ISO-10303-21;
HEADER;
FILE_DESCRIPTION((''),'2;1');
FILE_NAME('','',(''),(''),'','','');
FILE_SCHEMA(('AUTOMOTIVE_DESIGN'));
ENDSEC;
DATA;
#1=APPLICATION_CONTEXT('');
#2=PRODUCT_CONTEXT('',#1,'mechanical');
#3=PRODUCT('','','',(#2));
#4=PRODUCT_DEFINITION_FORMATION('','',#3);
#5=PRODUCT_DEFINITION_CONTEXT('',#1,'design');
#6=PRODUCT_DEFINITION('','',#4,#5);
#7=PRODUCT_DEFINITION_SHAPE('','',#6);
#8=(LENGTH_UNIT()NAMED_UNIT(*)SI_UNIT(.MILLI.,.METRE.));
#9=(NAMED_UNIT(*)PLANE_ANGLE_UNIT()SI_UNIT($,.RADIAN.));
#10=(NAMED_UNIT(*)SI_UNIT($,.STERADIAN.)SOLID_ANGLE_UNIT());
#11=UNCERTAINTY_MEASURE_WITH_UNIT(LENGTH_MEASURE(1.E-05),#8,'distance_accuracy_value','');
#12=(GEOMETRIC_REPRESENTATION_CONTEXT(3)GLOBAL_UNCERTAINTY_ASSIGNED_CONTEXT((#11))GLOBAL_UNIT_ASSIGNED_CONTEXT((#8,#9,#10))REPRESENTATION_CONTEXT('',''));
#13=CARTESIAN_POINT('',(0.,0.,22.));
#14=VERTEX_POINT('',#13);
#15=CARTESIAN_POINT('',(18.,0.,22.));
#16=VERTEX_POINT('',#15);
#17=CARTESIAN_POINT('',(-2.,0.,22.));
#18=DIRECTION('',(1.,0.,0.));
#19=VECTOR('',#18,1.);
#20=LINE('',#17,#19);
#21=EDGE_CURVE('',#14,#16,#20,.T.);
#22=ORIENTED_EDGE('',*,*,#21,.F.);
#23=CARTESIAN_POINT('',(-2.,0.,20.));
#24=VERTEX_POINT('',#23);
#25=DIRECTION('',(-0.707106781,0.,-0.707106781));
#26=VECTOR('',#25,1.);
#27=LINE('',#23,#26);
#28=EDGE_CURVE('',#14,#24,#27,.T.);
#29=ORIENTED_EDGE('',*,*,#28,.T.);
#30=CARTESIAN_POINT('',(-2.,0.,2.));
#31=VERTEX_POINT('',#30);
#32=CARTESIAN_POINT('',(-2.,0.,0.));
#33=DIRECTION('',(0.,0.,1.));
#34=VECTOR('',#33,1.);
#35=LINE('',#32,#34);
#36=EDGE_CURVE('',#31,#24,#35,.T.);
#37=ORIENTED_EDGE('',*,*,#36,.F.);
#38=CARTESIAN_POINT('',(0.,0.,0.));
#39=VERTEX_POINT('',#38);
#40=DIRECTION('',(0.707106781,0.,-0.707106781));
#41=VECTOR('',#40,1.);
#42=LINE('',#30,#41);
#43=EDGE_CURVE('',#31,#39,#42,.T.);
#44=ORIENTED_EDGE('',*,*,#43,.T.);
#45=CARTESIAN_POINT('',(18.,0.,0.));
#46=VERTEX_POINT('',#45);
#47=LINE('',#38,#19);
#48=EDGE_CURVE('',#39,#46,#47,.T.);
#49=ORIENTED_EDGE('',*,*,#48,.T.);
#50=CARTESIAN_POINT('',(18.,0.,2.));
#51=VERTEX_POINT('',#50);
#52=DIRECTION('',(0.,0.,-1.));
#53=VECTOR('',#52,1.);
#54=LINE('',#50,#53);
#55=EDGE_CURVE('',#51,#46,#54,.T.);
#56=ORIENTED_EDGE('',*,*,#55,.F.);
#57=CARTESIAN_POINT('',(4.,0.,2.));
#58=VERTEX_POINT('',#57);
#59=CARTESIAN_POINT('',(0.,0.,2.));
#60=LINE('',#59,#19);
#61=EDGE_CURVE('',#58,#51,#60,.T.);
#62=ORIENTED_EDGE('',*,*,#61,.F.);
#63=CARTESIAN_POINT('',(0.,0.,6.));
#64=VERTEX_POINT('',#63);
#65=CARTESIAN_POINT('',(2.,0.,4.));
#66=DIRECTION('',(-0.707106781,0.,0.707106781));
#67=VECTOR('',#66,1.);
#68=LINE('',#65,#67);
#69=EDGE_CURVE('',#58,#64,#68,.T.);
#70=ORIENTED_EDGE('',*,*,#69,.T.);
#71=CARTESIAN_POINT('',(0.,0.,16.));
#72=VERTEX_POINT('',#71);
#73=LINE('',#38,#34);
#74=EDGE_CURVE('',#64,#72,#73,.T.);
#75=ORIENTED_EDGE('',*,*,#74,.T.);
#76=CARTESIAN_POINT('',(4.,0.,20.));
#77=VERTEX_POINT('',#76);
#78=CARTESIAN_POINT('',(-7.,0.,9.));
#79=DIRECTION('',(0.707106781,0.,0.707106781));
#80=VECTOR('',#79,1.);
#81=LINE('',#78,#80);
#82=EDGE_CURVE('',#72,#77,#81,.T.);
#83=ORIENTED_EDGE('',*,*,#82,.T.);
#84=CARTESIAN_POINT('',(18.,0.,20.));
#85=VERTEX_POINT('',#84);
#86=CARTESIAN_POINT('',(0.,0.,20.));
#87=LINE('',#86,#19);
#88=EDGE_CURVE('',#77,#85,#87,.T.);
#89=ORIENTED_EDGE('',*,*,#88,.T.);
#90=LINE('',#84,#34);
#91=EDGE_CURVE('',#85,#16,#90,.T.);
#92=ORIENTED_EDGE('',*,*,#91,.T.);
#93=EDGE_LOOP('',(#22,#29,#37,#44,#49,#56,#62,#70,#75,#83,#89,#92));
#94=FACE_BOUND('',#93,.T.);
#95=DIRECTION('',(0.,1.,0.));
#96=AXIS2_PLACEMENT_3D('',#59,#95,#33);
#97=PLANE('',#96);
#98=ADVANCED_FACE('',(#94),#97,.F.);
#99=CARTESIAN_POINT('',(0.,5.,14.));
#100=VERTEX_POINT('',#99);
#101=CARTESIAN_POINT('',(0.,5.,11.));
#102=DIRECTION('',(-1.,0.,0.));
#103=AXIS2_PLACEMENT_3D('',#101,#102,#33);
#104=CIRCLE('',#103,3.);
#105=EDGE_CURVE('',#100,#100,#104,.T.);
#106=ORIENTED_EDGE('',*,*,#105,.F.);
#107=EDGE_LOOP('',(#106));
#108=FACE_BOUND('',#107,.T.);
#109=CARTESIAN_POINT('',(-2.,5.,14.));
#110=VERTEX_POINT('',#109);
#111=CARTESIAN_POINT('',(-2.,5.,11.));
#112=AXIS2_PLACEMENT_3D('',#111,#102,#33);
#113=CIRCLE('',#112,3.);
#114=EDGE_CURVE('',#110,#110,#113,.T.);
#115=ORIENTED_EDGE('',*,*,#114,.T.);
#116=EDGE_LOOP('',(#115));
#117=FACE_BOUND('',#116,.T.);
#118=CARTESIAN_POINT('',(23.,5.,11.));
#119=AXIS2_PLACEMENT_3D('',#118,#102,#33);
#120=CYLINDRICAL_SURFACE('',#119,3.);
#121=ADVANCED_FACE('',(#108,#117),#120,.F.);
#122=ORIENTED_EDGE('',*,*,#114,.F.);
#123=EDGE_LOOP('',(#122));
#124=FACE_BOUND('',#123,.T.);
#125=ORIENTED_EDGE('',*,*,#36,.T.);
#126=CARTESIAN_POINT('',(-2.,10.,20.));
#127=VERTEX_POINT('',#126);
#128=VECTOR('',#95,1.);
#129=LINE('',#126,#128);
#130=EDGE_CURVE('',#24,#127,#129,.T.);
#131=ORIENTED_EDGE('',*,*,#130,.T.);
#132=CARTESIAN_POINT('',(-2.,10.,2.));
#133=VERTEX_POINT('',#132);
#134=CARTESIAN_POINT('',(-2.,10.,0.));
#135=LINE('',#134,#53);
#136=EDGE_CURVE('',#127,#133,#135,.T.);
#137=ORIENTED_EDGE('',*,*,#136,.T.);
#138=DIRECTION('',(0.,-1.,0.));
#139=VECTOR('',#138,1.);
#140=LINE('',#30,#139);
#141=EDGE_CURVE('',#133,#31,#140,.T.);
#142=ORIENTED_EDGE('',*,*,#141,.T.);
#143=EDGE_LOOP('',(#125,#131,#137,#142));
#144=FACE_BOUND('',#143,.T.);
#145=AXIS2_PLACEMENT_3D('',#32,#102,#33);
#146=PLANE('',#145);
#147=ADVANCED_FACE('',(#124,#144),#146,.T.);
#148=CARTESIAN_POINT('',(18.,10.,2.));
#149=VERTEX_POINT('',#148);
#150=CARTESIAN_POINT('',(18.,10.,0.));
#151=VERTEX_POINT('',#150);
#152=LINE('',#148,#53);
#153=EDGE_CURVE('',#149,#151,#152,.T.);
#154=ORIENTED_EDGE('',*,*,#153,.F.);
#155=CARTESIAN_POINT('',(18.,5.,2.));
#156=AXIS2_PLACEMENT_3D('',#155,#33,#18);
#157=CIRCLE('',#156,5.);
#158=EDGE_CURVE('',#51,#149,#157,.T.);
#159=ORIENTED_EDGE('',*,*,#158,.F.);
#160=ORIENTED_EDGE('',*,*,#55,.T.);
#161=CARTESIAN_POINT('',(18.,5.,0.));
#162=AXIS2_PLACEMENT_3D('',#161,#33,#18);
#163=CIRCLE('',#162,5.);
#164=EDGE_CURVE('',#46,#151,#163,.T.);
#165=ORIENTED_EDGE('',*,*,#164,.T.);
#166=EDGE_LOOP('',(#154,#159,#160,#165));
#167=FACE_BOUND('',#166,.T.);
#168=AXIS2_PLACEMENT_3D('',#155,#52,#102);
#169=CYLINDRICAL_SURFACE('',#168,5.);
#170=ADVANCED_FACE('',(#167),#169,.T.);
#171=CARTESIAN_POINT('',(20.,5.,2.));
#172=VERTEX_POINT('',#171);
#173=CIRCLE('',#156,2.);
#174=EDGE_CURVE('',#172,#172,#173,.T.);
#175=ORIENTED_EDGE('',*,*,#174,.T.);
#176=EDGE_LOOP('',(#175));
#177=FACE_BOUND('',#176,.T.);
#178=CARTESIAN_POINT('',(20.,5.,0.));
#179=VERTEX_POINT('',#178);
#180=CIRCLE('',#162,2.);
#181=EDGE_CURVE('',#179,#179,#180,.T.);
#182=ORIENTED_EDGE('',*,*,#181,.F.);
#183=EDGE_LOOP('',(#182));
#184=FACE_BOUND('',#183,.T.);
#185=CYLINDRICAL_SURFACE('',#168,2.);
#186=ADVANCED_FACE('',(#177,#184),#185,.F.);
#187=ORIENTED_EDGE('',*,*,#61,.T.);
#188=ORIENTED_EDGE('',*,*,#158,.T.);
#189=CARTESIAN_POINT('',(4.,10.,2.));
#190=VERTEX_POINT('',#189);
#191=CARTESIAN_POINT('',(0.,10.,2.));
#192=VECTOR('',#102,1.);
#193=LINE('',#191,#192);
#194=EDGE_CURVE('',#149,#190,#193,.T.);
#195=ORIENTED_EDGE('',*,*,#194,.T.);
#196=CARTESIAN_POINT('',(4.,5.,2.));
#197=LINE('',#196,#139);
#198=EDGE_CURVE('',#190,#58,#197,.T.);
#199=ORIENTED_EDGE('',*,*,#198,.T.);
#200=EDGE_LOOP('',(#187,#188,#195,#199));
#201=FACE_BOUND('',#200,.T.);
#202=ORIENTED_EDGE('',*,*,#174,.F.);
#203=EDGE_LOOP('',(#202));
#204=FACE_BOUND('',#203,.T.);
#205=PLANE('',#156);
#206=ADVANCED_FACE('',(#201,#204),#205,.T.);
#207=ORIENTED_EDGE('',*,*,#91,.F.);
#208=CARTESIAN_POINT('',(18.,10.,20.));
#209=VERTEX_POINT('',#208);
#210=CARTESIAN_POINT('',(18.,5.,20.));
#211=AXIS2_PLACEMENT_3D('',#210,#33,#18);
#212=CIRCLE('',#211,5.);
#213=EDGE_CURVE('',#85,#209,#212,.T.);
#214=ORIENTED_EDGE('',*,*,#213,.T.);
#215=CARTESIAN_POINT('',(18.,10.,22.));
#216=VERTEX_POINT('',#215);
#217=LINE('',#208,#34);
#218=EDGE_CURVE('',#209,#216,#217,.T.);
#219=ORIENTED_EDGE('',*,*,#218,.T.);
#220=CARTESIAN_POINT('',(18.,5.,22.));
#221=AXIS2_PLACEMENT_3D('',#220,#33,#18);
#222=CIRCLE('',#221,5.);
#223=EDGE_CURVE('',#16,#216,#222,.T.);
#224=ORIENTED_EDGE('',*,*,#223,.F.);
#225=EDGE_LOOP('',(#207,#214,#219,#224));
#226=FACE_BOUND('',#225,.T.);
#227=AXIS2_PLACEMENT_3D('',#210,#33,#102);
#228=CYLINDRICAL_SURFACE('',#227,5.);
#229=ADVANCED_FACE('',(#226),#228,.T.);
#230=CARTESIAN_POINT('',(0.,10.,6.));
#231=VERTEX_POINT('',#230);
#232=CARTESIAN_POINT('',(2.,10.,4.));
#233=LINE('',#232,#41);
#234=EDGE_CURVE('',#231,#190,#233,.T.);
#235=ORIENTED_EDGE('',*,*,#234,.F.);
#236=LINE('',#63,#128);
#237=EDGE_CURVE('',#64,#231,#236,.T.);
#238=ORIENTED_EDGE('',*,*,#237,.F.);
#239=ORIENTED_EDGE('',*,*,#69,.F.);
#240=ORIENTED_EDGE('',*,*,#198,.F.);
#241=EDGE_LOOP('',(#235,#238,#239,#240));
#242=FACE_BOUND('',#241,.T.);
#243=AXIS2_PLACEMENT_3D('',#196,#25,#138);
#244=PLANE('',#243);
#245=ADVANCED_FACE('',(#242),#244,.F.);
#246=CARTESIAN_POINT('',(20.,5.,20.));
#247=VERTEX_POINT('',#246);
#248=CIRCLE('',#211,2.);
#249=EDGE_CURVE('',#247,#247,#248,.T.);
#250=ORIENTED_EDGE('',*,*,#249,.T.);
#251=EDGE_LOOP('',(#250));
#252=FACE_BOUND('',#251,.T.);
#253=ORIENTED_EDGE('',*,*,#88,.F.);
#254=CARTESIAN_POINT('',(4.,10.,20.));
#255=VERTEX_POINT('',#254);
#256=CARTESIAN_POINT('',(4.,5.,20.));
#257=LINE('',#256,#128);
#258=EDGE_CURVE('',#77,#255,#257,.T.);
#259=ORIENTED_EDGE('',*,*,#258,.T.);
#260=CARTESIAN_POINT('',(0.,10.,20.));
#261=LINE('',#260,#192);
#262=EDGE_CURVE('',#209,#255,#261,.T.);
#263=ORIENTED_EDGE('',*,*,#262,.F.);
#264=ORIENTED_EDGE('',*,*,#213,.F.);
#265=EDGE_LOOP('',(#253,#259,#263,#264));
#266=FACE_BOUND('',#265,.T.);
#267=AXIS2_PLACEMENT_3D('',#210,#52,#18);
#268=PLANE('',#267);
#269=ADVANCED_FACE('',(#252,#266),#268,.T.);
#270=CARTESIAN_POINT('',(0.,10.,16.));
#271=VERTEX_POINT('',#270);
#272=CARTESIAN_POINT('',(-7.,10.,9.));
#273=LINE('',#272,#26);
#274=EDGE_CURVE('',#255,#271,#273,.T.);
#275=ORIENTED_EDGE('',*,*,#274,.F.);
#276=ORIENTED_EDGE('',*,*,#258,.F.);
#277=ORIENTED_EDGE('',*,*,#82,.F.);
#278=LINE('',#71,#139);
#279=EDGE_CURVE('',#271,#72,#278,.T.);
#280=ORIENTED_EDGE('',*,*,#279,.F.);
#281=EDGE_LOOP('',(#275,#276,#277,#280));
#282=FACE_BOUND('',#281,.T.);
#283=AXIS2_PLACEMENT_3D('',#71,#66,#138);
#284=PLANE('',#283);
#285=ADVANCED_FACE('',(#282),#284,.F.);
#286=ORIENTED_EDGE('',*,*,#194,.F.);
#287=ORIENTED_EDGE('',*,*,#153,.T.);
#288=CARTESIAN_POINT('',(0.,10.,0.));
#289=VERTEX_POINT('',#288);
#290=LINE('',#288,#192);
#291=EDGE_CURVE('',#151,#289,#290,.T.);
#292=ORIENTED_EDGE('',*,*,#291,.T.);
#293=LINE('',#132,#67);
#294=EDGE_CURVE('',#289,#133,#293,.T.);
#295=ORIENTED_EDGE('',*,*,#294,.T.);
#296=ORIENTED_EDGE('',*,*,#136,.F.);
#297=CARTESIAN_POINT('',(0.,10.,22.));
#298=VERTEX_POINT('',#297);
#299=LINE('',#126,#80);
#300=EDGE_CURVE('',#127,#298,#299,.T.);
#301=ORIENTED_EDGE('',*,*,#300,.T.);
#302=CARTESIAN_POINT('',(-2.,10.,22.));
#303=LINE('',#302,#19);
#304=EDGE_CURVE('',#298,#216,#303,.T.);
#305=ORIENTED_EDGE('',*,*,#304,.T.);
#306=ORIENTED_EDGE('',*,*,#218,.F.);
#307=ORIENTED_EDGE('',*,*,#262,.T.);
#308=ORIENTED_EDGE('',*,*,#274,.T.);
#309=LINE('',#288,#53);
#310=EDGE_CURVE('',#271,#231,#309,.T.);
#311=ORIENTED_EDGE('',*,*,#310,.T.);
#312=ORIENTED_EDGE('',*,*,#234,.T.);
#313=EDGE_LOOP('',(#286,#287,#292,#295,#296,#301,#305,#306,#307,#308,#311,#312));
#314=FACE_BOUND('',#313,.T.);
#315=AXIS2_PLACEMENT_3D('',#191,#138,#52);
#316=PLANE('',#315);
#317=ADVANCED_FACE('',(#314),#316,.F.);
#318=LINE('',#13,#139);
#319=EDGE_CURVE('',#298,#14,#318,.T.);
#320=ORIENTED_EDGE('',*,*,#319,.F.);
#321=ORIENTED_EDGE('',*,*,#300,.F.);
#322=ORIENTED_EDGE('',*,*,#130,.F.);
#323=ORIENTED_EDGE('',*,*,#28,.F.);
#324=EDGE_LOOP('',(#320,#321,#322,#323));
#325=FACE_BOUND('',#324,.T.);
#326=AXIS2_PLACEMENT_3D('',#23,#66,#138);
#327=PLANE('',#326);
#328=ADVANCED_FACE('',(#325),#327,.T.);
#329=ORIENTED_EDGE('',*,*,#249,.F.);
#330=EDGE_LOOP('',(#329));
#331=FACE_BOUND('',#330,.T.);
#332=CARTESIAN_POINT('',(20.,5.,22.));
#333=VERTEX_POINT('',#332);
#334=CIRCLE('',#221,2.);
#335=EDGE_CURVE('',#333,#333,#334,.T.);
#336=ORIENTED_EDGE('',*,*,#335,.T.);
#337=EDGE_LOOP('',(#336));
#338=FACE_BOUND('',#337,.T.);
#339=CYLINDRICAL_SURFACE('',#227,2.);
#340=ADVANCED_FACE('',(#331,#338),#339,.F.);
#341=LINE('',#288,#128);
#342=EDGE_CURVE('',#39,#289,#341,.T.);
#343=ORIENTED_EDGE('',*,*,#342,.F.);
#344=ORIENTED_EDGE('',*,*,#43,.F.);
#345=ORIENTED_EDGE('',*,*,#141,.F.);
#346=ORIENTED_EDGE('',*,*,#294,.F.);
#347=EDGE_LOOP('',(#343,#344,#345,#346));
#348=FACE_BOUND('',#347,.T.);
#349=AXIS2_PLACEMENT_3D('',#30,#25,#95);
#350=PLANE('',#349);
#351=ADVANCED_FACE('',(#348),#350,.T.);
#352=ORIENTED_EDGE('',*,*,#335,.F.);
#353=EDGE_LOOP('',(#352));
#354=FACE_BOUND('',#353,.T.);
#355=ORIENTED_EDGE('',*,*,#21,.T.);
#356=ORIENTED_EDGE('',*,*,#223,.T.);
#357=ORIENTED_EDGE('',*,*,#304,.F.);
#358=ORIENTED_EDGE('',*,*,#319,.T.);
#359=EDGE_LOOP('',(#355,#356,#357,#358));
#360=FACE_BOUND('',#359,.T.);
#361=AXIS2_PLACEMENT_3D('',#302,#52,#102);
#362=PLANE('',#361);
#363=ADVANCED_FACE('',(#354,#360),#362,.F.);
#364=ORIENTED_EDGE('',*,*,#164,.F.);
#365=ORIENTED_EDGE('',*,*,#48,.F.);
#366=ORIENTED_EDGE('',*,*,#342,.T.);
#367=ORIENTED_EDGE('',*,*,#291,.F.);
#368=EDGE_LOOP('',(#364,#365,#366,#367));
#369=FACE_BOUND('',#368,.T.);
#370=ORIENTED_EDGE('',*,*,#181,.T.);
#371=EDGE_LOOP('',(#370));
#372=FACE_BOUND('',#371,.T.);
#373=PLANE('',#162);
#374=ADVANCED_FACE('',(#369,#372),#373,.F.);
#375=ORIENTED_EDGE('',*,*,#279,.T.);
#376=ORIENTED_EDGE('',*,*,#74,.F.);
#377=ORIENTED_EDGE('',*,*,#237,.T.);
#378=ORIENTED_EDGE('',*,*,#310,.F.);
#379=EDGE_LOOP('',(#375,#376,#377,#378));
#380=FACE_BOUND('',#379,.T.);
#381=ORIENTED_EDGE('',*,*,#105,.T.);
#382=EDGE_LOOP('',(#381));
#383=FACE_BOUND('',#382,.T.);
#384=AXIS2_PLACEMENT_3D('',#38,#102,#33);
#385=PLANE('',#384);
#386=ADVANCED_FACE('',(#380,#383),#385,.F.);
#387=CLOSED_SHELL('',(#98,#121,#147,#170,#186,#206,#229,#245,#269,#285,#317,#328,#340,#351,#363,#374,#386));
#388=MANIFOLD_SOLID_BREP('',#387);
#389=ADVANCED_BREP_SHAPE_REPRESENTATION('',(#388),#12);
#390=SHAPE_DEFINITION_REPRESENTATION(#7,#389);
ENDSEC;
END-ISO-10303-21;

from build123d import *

# Parameters (mm, degrees)
SKETCH_1_R          = 2
EXTRUDE_1_DEPTH     = 2
SKETCH_6_W          = 22
SKETCH_6_H          = 10
EXTRUDE_5_DEPTH     = 2
CHAMFER_2_SIZE      = 2
CHAMFER_3_SIZE      = 4
SKETCH_7_R          = 3
CUT_EXTRUDE_2_DEPTH = 35.770677301


with BuildPart() as part:
    # 草图1 → 凸台-拉伸1 (new body)
    with BuildSketch(Plane.XY):
        with BuildLine():
            Line((0, 0), (18, 0))
            ThreePointArc((18, 0), (23, 5), (18, 10))
            Line((18, 10), (0, 10))
            Line((0, 10), (0, 0))
        make_face()
        with Locations((18, 5)):
            Circle(SKETCH_1_R, mode=Mode.SUBTRACT)
    extrude(amount=EXTRUDE_1_DEPTH)


with BuildPart() as body_2:
    # 镜向1: mirrored copy
    add(part.part.mirror(Plane.XY.offset(11)))


with BuildPart() as part_1:
    add(part.part)

    add(body_2.part)  # 凸台-拉伸5 merges body 2
    # 草图6 → 凸台-拉伸5 (add)
    with BuildSketch(Plane.ZY):
        with Locations((11, 5)):
            Rectangle(SKETCH_6_W, SKETCH_6_H)
    extrude(amount=EXTRUDE_5_DEPTH)

    # 倒角2
    chamfer_2_edges = [part_1.edges().sort_by_distance(p)[0] for p in [
        (-2, 5, 0),
        (-2, 5, 22),
    ]]
    chamfer(chamfer_2_edges, length=CHAMFER_2_SIZE)

    # 倒角3
    chamfer_3_edges = [part_1.edges().sort_by_distance(p)[0] for p in [
        (0, 5, 20),
        (0, 5, 2),
    ]]
    chamfer(chamfer_3_edges, length=CHAMFER_3_SIZE)

    # 草图7 → 切除-拉伸2 (cut, through all)
    with BuildSketch(Plane.ZY.offset(2)):
        with Locations((11, 5)):
            Circle(SKETCH_7_R)
    extrude(amount=-CUT_EXTRUDE_2_DEPTH, mode=Mode.SUBTRACT)


solid = part_1.part
